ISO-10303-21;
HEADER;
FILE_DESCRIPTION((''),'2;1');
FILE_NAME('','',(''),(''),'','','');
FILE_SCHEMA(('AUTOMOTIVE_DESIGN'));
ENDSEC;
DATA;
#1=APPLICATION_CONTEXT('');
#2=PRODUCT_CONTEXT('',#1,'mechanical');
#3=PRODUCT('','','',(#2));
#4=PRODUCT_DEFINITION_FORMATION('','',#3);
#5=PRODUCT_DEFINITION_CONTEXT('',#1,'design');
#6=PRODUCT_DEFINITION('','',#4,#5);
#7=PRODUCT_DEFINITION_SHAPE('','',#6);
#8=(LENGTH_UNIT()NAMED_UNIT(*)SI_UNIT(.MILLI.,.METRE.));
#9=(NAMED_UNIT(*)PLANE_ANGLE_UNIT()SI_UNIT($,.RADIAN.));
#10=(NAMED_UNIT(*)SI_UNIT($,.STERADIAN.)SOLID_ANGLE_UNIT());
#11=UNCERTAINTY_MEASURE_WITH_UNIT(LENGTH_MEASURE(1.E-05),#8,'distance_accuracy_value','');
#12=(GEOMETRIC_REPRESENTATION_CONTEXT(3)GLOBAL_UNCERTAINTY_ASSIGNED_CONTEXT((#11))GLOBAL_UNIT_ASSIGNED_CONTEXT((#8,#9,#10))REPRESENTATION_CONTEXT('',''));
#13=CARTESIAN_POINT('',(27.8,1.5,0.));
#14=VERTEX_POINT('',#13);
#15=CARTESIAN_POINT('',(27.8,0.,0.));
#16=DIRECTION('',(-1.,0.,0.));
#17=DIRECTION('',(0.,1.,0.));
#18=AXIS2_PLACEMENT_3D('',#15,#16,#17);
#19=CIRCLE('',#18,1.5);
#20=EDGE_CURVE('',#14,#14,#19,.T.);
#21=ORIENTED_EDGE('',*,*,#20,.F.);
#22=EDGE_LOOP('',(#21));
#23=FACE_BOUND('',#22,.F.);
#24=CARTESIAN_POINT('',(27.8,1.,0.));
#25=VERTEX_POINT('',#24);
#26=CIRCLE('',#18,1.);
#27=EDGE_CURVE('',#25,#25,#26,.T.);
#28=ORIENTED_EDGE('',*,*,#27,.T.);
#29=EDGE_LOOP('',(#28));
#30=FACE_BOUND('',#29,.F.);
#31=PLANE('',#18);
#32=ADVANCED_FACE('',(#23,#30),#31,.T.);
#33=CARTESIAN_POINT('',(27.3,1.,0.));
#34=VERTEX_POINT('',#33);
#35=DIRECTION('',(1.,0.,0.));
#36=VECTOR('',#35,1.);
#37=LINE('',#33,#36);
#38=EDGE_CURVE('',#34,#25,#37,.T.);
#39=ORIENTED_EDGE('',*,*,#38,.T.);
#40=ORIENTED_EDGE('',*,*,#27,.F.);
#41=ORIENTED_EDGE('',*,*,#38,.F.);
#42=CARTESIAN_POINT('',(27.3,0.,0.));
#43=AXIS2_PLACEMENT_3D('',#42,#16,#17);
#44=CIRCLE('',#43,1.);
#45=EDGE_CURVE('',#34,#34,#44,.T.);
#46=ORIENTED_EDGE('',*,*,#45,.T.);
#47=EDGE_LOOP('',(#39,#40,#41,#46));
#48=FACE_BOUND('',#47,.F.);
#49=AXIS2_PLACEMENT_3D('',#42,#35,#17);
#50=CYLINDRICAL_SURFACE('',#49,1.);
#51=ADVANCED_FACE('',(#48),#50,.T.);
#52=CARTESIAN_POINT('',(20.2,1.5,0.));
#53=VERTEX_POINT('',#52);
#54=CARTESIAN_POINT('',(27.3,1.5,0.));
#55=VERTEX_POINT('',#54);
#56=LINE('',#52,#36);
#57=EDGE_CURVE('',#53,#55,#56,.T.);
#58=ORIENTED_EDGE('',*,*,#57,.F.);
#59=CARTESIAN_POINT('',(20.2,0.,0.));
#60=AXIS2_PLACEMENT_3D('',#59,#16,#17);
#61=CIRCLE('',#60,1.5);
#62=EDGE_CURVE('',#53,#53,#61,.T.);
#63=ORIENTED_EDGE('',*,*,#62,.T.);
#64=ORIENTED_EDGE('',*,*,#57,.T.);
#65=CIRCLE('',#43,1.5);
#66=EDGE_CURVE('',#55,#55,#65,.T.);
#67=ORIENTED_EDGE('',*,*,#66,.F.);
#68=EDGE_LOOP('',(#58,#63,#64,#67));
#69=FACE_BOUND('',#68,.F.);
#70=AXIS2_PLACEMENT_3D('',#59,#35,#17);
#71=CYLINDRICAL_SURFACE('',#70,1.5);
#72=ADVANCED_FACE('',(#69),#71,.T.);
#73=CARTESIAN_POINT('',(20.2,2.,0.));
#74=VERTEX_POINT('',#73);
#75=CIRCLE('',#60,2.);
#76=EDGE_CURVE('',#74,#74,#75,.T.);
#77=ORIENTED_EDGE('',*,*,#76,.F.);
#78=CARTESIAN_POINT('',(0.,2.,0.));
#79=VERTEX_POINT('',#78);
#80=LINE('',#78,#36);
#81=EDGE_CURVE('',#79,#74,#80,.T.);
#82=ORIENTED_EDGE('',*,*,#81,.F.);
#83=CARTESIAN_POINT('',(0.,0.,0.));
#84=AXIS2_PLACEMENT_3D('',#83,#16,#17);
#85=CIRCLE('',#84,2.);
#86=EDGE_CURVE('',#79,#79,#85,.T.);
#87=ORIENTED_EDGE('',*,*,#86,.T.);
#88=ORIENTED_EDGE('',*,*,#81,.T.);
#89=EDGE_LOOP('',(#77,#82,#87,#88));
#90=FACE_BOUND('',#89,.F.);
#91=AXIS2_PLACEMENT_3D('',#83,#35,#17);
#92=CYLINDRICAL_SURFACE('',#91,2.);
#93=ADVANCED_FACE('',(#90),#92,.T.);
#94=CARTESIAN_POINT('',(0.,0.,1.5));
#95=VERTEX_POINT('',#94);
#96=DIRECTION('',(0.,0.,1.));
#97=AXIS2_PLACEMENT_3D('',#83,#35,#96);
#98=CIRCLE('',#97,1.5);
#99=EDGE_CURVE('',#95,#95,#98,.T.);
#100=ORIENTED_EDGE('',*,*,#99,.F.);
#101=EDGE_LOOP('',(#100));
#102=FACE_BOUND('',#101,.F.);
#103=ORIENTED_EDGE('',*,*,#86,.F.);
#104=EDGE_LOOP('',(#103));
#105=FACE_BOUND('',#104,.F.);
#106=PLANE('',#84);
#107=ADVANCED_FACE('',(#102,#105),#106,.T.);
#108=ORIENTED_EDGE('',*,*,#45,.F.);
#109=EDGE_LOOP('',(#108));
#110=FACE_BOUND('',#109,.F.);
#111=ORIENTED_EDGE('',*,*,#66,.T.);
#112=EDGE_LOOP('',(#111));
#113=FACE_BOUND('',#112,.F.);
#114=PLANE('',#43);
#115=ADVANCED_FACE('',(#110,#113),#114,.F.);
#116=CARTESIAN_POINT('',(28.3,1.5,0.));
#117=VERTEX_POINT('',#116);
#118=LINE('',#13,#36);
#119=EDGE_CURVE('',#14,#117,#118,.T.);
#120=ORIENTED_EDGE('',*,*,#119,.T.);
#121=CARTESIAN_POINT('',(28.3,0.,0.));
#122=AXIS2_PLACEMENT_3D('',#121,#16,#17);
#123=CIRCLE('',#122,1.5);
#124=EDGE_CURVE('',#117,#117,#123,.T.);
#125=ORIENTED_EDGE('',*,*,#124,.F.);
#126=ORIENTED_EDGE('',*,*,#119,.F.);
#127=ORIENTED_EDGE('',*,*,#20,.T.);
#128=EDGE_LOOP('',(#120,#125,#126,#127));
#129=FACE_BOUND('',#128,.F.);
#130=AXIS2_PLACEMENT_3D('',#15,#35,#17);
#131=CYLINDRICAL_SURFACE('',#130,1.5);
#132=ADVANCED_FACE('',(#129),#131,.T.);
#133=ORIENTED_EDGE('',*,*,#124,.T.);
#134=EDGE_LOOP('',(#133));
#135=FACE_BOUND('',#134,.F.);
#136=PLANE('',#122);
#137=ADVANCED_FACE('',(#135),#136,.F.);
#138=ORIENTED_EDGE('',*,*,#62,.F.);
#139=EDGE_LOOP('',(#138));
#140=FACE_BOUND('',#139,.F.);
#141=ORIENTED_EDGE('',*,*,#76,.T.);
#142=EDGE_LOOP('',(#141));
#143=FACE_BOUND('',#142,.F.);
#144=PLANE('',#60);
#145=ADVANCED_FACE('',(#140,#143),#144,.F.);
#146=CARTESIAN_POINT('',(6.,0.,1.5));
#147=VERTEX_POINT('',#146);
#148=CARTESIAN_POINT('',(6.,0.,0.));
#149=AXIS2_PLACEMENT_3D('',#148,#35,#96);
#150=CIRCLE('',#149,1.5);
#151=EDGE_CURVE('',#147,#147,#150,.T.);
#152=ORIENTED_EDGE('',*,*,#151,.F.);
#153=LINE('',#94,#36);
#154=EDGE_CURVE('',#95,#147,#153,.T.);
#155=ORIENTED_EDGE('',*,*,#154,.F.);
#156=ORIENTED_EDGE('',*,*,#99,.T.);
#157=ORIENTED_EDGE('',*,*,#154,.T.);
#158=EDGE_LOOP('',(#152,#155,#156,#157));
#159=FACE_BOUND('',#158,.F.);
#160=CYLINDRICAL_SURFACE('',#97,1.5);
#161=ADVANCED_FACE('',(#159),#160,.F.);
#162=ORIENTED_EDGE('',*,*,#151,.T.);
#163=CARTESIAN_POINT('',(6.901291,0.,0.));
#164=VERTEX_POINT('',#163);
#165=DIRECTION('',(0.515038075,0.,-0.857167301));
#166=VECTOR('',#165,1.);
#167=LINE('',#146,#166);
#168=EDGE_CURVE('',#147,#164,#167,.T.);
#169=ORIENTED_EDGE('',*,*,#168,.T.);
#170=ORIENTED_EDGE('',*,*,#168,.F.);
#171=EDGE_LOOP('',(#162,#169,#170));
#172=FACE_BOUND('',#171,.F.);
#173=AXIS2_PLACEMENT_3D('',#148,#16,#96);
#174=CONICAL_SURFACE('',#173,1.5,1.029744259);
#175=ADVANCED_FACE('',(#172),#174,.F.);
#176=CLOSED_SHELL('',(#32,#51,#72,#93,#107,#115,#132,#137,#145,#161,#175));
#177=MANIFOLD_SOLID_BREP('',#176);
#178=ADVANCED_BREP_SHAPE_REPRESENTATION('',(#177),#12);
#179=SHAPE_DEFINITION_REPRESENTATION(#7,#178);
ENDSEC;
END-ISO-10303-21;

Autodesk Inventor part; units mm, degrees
ref_plane "YZ Plane" through (0, 0, 0) normal (1, 0, 0) x (0, 1, 0)
ref_plane "XZ Plane" through (0, 0, 0) normal (0, 1, 0) x (-1, 0, 0)
ref_plane "XY Plane" through (0, 0, 0) normal (0, 0, 1) x (1, 0, 0)
sketch "Sketch1" plane through (0, 0, 0) normal (0, 0, 1) x (1, 0, 0)
  line L0 (0, 0) -> (0, 2)
  line L1 (0, 2) -> (20.2, 2)
  line L2 (20.2, 2) -> (20.2, 1.5)
  line L3 (20.2, 1.5) -> (27.3, 1.5)
  line L4 (27.3, 1.5) -> (27.3, 1)
  line L5 (27.3, 1) -> (27.8, 1)
  line L6 (27.8, 1) -> (27.8, 1.5)
  line L7 (27.8, 1.5) -> (28.3, 1.5)
  line L8 (28.3, 1.5) -> (28.3, 0)
  line L9 (28.3, 0) -> (0, 0)
  dimension "d0" = 4
  dimension "d1" = 3
  dimension "d2" = 0.5
  dimension "d3" = 0.5
  dimension "d4" = 0.5
  dimension "d5" = 7.1
  dimension "d6" = 20.2
revolve "Revolution1" add sketch "Sketch1" angle 360 about axis through (28.3, 0, 0) along (-1, 0, 0)
hole "Hole1" at (0, 0, 0) direction (1, 0, 0) diameter 3 depth 6 tip angle 118
properties part number "thumb_opposing_worm_shaft" material "Stainless Steel"
